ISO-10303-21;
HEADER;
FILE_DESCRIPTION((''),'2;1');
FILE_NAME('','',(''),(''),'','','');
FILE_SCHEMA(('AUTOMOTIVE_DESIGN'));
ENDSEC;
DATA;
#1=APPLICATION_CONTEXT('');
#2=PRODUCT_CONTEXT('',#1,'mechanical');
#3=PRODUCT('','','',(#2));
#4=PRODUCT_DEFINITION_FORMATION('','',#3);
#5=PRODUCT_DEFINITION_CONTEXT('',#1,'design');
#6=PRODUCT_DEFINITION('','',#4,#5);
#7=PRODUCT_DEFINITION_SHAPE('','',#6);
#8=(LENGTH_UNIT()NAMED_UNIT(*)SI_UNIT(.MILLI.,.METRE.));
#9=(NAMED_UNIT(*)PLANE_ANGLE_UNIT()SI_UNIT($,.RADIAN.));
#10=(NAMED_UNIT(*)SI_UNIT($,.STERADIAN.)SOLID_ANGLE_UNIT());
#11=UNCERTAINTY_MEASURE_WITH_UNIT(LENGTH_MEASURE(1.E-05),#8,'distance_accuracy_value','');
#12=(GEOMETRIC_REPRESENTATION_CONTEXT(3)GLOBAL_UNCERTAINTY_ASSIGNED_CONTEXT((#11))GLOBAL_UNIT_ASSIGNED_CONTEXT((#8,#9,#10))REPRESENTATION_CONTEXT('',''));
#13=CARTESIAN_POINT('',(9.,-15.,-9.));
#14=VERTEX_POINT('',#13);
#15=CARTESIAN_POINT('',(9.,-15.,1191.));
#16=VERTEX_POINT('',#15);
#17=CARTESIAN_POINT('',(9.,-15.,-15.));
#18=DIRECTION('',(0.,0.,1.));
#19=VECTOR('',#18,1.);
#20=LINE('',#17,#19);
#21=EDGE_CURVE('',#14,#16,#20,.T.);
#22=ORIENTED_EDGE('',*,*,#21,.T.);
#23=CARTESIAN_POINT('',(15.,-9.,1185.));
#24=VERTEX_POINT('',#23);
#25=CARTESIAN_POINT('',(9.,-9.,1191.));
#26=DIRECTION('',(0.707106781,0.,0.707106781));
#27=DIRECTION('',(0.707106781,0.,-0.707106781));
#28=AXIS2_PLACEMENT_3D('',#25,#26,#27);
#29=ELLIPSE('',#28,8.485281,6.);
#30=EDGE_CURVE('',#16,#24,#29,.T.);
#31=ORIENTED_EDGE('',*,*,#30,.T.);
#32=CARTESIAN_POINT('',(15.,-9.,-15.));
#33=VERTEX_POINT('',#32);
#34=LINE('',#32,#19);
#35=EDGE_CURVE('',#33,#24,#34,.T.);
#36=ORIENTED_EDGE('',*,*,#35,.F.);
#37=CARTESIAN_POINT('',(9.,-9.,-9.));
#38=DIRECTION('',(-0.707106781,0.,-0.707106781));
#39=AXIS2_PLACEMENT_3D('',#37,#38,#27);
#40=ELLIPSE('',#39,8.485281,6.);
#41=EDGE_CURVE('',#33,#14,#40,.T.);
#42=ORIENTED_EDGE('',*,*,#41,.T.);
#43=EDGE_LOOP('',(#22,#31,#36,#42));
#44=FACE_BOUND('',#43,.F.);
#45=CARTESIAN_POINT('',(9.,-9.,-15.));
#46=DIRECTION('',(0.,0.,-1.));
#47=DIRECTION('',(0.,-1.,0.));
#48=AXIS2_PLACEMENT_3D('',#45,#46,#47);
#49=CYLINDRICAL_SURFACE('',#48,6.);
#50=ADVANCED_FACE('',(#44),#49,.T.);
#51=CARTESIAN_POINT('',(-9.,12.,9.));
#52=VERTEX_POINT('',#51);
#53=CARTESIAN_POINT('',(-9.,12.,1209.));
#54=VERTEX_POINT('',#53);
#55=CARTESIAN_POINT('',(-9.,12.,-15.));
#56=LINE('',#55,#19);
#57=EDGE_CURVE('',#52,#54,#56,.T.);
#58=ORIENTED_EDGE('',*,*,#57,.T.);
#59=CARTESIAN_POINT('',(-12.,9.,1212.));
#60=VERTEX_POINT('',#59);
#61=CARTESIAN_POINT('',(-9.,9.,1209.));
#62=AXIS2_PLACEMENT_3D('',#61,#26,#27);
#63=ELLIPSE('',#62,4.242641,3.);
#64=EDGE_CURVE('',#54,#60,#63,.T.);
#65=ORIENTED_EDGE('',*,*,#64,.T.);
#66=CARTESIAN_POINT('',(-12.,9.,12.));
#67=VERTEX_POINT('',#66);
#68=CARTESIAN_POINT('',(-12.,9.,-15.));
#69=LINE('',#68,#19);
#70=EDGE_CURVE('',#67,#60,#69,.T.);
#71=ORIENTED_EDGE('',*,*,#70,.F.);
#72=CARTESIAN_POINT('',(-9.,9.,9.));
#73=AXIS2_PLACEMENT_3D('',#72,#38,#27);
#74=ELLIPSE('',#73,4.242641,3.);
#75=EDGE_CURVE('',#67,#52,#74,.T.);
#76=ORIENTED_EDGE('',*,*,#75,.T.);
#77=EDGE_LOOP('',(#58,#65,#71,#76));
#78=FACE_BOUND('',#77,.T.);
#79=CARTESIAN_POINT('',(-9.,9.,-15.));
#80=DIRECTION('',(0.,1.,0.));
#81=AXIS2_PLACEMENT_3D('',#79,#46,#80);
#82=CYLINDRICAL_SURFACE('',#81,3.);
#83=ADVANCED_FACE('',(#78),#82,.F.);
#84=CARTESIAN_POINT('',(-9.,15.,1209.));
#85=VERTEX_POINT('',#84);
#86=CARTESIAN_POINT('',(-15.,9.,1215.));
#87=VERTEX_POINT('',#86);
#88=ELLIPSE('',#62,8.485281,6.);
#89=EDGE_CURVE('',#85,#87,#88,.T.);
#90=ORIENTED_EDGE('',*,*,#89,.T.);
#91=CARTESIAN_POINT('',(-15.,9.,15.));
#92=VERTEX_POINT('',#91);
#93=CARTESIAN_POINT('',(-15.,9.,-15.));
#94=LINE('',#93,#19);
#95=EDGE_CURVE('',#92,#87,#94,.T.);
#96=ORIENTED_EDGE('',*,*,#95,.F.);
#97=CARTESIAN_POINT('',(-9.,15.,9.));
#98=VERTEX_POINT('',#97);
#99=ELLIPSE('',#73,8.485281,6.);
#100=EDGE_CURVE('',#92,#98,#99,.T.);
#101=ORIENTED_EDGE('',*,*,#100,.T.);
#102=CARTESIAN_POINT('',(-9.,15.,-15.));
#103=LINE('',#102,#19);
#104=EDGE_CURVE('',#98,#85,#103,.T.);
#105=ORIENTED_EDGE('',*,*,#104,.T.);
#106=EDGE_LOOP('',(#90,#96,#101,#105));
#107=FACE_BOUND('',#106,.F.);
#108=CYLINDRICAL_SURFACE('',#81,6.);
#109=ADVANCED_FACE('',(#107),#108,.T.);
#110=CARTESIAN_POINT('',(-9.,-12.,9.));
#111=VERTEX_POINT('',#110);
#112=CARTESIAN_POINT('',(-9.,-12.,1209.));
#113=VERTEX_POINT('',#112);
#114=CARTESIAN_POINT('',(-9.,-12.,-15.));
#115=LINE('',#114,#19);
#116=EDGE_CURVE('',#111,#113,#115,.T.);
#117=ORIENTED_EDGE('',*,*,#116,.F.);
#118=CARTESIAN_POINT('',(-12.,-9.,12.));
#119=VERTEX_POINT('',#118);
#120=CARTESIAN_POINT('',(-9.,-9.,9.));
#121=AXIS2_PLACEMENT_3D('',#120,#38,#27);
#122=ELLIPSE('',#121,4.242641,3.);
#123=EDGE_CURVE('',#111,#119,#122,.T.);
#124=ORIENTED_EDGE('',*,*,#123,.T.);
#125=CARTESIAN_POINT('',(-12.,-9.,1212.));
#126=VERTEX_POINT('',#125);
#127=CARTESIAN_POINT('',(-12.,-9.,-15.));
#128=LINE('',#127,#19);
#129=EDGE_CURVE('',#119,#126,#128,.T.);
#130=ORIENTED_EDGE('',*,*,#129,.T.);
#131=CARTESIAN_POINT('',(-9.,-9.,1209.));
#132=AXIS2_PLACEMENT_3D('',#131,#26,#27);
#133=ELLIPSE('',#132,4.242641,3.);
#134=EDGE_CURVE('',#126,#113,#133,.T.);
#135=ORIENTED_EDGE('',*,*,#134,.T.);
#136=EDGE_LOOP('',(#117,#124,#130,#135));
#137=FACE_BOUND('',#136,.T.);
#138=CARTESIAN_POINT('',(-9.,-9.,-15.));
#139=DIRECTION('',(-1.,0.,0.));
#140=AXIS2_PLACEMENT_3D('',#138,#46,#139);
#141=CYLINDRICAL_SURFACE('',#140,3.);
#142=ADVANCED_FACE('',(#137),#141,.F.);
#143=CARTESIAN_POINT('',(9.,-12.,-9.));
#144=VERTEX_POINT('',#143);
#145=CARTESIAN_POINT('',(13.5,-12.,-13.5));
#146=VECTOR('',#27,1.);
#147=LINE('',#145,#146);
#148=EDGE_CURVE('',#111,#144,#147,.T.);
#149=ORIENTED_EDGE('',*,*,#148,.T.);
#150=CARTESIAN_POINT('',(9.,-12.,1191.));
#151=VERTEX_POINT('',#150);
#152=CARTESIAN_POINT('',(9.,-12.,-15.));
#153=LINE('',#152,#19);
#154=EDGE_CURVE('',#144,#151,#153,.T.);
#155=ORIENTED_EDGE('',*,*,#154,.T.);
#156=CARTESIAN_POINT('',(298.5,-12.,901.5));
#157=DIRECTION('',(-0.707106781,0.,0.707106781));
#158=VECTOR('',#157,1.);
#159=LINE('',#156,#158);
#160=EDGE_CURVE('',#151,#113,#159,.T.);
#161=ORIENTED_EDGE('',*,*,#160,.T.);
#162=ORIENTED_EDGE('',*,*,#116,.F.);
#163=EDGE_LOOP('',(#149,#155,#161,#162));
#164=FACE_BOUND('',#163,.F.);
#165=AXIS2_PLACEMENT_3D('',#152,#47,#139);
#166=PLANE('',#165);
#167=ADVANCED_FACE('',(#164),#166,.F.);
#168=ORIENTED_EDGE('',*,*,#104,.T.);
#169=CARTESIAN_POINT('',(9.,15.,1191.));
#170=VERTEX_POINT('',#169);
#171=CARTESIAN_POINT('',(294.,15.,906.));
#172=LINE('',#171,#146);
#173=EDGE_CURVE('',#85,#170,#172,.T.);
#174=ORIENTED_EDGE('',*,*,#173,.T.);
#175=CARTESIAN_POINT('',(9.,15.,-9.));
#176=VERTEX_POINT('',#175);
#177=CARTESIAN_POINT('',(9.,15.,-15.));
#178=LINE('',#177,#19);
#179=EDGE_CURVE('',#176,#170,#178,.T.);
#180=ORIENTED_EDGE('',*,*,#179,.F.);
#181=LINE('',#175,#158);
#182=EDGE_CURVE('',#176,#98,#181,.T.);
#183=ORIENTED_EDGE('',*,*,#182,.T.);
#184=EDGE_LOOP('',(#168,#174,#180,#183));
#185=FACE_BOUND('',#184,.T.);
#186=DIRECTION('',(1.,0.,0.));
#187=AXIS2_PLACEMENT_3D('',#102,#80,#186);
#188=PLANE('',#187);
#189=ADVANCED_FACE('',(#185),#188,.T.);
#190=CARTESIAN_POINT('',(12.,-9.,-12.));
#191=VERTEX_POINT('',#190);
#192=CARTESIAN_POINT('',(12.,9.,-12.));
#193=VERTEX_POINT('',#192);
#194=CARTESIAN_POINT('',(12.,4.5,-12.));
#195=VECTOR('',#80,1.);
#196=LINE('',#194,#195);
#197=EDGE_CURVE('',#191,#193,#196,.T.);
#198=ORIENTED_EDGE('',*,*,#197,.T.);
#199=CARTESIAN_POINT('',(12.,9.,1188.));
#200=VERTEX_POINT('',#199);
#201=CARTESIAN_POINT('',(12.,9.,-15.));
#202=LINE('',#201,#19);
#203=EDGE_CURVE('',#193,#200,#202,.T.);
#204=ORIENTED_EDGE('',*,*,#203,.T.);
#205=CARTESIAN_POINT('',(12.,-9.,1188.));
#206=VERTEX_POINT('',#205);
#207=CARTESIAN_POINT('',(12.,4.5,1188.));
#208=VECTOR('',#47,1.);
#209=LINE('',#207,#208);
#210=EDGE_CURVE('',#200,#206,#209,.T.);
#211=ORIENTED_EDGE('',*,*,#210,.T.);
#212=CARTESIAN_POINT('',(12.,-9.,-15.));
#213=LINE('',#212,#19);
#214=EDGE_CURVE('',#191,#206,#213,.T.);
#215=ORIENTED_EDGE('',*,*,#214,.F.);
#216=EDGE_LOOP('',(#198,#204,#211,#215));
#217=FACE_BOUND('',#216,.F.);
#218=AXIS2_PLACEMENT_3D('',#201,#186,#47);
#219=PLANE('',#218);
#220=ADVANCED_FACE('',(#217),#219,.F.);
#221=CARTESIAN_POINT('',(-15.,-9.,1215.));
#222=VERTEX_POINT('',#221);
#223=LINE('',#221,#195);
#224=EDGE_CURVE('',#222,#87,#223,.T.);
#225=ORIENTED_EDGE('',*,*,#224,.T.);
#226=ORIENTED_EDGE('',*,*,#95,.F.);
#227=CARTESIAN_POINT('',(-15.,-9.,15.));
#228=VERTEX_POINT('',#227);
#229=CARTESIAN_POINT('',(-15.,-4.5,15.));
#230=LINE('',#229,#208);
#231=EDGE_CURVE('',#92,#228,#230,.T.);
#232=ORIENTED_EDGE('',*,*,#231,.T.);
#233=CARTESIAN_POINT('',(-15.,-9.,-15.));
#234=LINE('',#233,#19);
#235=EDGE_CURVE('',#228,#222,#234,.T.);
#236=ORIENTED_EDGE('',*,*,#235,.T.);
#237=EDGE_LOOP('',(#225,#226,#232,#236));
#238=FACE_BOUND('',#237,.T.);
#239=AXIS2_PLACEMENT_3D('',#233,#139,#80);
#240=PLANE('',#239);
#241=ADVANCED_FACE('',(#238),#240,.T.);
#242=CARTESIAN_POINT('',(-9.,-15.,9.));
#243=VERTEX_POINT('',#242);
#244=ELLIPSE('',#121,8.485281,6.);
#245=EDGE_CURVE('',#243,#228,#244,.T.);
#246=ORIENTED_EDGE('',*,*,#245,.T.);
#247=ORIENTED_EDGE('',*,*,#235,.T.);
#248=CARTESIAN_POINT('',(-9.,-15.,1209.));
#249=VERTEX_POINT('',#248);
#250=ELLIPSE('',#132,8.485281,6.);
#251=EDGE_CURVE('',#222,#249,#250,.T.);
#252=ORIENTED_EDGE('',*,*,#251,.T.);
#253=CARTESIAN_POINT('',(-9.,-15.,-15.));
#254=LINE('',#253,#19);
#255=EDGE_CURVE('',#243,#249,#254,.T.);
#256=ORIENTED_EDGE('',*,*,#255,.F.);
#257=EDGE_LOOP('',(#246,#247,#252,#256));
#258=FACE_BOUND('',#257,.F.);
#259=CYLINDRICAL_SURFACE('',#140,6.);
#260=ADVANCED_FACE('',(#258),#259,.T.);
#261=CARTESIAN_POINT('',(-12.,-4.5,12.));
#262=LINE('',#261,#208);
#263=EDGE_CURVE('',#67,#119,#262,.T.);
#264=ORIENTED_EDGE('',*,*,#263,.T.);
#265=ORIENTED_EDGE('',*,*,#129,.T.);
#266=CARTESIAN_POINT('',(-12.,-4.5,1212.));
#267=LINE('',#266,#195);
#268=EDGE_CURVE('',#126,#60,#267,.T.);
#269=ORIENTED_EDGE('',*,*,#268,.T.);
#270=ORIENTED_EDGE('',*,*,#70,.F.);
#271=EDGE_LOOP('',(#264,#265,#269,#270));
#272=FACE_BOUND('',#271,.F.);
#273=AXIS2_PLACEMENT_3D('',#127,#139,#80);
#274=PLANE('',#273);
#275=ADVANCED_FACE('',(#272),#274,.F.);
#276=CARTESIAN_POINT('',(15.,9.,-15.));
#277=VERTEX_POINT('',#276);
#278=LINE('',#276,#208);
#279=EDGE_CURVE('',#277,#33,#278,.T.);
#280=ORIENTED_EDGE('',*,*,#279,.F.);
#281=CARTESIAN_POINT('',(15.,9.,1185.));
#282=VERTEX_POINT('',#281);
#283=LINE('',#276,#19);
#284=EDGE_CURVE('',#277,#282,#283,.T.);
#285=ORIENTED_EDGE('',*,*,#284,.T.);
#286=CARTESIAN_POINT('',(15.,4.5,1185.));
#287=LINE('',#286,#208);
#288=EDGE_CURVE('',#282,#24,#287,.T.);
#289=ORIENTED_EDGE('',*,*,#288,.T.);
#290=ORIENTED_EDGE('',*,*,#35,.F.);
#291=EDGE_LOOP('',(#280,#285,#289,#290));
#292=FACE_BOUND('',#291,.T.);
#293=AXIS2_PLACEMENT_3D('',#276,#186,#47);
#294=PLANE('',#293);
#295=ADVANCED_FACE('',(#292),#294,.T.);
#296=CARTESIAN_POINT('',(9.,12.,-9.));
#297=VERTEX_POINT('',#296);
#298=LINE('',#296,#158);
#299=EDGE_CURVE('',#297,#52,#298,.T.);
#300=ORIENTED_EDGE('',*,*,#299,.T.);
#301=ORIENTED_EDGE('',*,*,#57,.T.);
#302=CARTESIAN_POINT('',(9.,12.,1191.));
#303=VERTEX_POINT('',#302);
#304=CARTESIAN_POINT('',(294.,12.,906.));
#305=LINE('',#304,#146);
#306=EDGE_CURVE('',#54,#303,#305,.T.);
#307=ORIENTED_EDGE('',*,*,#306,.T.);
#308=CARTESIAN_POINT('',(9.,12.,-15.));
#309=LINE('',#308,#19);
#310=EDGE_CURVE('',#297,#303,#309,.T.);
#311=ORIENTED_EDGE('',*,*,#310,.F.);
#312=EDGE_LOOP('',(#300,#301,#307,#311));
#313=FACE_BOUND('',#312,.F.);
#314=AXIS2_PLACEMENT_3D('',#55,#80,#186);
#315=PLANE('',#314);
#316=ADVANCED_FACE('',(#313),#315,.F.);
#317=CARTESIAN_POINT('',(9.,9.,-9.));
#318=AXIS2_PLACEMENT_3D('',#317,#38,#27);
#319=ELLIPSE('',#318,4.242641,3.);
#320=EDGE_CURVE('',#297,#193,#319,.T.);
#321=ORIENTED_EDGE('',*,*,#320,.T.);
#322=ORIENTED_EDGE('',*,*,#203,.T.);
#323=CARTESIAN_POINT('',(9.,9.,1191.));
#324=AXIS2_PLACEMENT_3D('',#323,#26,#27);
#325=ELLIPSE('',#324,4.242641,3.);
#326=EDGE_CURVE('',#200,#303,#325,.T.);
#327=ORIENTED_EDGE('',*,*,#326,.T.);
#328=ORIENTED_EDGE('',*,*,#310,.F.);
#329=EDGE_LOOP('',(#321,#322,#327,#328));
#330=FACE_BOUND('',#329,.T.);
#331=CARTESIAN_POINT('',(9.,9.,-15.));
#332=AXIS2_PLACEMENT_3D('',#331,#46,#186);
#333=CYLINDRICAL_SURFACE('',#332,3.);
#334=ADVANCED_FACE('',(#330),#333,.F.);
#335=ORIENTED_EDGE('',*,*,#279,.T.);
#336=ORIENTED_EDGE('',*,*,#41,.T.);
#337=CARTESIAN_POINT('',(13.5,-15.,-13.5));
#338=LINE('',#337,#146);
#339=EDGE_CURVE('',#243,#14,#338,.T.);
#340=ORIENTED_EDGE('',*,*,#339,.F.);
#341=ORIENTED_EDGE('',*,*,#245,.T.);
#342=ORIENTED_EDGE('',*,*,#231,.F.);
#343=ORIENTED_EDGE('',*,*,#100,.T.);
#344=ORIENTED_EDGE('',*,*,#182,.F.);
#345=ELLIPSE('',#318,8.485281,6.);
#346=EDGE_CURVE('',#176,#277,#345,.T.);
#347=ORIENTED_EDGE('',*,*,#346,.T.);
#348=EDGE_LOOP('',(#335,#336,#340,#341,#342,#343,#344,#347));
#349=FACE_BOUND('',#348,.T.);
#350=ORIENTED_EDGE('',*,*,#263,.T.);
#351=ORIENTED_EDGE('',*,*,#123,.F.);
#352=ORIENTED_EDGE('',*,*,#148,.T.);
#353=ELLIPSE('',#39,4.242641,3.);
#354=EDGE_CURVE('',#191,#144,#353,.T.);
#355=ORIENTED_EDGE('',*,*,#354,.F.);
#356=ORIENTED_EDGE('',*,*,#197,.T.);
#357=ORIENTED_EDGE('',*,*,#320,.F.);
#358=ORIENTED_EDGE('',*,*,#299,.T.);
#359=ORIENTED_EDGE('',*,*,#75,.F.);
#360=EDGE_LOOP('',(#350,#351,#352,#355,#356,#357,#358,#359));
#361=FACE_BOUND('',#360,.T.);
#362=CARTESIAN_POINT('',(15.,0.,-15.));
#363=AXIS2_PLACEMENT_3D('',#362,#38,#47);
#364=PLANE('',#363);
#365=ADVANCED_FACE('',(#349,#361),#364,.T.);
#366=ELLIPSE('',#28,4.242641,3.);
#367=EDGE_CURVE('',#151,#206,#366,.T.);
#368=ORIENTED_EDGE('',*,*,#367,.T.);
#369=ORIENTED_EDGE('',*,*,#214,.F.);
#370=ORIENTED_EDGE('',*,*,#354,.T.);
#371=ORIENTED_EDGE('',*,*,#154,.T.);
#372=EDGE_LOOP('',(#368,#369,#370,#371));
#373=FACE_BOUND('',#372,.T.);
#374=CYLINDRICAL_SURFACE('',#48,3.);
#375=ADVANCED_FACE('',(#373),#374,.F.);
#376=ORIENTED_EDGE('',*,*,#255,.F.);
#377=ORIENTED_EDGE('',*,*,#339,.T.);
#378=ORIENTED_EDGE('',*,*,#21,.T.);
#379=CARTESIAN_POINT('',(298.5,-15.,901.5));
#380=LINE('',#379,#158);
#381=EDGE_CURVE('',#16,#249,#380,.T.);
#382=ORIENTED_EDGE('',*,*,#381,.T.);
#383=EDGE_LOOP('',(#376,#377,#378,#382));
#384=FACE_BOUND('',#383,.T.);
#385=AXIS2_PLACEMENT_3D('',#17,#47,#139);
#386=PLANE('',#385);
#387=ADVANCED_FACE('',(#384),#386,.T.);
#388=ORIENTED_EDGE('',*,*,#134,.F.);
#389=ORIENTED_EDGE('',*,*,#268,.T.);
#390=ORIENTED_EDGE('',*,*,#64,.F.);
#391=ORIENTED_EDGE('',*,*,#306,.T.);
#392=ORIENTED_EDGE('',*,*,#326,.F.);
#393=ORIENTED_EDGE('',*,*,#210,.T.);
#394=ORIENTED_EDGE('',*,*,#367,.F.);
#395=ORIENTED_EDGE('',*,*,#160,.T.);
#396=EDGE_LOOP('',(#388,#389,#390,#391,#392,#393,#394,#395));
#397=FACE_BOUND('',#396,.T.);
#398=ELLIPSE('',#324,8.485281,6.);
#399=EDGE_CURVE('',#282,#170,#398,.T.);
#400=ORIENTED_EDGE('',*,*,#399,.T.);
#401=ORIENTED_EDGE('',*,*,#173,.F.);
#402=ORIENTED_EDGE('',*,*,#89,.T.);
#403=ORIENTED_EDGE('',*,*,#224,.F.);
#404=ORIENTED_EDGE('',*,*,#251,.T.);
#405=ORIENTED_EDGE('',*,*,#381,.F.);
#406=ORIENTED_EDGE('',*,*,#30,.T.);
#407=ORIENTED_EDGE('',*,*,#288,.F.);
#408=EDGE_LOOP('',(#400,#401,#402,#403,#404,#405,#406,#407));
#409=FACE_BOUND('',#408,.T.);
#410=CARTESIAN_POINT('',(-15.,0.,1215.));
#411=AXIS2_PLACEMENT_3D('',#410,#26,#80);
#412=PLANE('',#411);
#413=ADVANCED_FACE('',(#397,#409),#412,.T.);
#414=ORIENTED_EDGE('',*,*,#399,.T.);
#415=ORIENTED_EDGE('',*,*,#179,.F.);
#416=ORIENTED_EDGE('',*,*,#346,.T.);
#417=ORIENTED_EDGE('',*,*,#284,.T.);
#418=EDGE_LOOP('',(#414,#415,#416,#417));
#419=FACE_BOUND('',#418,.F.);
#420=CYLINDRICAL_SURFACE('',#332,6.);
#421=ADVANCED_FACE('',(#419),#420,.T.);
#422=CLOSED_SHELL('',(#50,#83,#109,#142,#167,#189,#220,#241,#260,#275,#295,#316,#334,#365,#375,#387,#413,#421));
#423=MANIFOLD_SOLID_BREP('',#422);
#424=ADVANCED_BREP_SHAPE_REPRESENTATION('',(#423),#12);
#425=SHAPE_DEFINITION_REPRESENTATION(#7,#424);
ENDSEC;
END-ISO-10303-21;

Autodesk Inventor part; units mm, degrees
ref_plane "Start Plane" through (0, 0, -15) normal (0, 0, 1) x (1, 0, 0)
ref_plane "End Plane" through (0, 0, 1215) normal (0, 0, 1) x (1, 0, 0)
sketch "Sketch" plane through (0, 0, 0) normal (0, 0, 1) x (1, 0, 0)
  line L0 (-15, -9) -> (-15, 9)
  line L1 (-9, 15) -> (9, 15)
  line L2 (15, 9) -> (15, -9)
  line L3 (9, -15) -> (-9, -15)
  arc A0 (-15, -9) -> (-9, -15) centre (-9, -9) ccw
  arc A1 (-9, 15) -> (-15, 9) centre (-9, 9) ccw
  arc A2 (15, 9) -> (9, 15) centre (9, 9) ccw
  arc A3 (9, -15) -> (15, -9) centre (9, -9) ccw
  arc A4 (-9, 12) -> (-12, 9) centre (-9, 9) ccw
  line L4 (-9, 12) -> (9, 12)
  arc A5 (12, 9) -> (9, 12) centre (9, 9) ccw
  line L5 (12, 9) -> (12, -9)
  arc A6 (9, -12) -> (12, -9) centre (9, -9) ccw
  line L6 (9, -12) -> (-9, -12)
  arc A7 (-12, -9) -> (-9, -12) centre (-9, -9) ccw
  line L7 (-12, -9) -> (-12, 9)
  line L8 (0, 22.7397) -> (0, -22.7397) construction
  line L9 (-22.7397, 0) -> (22.7397, 0) construction
  dimension "d7" = 6
  dimension "d10" = 30
  dimension "d11" = 30
  dimension "d12" = 3
  dimension "d15" = 15
  dimension "d16" = 15
extrude "Body" add sketch "Sketch" along normal up to surface (1230 mm away) from surface at -15
sketch "Sketch3" plane through (0, 0, 0) normal (0, 0, 1) x (1, 0, 0)
  line L0 (0, 0) -> (10, 0)
ref_plane "Work Plane3" through (0, 0, 0) normal (0, -1, 0) x (1, 0, 0)
ref_plane "Work Plane4" through (-15, 0, 1215) normal (0.7071, 0, 0.7071) x (0.7071, 0, -0.7071)
split "Split1" plane through (-15, 0, 1215) removes the side toward (0.7071, 0, 0.7071)
ref_plane "Work Plane5" through (15, 0, -15) normal (-0.7071, 0, -0.7071) x (-0.7071, 0, 0.7071)
split "Split2" plane through (15, 0, -15) removes the side toward (-0.7071, 0, -0.7071)
sketch "Sketch4" plane through (0, 0, 0) normal (0, -1, 0) x (1, 0, 0)
  line L0 (-2, -15) -> (12, -15) projected
  line L1 (-2, 1215) -> (12, 1215) projected
  dimension "d18" = 1230
equation "\"d7\" = G_IR"
equation "\"d10\" = G_H"
equation "\"d11\" = G_W"
equation "\"d12\" = G_T"
equation "\"d15\" = 0.5 * d10"
equation "\"d16\" = 0.5 * d11"
equation "\"d3\" = G_L"
equation "\"G_W\" = 30"
equation "\"G_H\" = 30"
equation "\"G_T\" = 3"
equation "\"G_IR\" = 6"
equation "\"G_L\" = d18"
equation "\"G_OFFSET_START\" = 15"
equation "\"G_OFFSET_END\" = 15"
equation "\"d13\" = -G_OFFSET_START"
equation "\"d14\" = G_OFFSET_END + B_L"
equation "\"B_L\" = 1200"
properties part number "DIN EN 10219-2 - 30 x 30 x 3  - 1230" material "Steel, Mild"
